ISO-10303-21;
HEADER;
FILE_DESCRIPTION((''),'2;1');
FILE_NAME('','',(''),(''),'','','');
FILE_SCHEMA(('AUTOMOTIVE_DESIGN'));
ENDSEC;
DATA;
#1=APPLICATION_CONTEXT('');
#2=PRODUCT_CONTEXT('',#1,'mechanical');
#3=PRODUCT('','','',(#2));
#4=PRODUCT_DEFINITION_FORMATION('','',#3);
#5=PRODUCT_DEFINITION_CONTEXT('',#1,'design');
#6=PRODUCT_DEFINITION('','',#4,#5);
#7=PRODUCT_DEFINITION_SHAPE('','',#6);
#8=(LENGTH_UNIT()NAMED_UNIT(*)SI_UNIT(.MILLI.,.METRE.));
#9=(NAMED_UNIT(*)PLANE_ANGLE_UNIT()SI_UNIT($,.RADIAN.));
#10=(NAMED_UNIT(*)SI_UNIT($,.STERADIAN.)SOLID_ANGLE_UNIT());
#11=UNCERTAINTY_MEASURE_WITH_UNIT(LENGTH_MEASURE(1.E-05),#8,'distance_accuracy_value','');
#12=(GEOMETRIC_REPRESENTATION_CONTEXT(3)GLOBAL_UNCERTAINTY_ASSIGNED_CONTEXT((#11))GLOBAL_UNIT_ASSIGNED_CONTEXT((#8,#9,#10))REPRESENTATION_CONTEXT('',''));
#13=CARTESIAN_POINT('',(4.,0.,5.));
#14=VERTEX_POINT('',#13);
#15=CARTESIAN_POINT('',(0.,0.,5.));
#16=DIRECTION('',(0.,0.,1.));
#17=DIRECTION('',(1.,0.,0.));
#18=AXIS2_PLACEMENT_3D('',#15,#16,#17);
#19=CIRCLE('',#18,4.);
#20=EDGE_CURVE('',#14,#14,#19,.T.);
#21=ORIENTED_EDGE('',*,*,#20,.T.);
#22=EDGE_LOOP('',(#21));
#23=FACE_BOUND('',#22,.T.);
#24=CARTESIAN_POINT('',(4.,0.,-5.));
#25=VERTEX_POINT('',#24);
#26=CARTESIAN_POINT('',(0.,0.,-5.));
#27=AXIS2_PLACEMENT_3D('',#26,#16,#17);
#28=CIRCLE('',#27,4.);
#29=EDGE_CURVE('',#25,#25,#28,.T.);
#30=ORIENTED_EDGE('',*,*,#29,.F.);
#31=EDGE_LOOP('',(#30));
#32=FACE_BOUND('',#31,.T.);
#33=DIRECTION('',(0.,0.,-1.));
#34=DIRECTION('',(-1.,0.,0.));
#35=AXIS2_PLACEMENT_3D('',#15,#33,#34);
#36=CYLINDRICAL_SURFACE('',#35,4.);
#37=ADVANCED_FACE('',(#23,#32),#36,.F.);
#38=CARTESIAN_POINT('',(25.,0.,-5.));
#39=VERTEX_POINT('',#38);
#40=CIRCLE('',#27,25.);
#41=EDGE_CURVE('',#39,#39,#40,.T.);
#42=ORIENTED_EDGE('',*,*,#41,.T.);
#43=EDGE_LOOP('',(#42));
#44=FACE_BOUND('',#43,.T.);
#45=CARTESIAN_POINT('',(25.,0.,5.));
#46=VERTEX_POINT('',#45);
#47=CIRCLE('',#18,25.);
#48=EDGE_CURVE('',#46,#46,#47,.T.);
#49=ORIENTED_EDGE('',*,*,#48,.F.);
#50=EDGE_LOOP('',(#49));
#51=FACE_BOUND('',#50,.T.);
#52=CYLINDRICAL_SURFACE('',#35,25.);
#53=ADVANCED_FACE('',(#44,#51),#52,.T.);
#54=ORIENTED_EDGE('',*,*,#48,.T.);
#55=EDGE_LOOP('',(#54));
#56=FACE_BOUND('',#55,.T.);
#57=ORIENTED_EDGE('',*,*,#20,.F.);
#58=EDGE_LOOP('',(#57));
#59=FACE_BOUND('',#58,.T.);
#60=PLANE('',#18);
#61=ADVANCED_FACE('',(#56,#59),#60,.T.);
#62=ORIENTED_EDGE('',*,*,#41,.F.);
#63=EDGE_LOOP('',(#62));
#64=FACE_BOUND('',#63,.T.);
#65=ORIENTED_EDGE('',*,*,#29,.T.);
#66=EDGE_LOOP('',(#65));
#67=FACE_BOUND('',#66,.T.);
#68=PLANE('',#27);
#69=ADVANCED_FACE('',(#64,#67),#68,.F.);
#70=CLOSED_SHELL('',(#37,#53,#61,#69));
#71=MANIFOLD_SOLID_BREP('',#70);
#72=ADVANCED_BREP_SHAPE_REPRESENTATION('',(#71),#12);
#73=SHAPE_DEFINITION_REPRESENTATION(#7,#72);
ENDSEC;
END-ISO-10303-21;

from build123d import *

# Parameters (mm, degrees)
CROQUIS1_R              = 25
CROQUIS1_R_2            = 4
SALIENTE_EXTRUIR1_DEPTH = 5


with BuildPart() as part:
    # Croquis1 → Saliente-Extruir1 (new, symmetric)
    with BuildSketch(Plane.XY):
        Circle(CROQUIS1_R)
        Circle(CROQUIS1_R_2, mode=Mode.SUBTRACT)
    extrude(amount=SALIENTE_EXTRUIR1_DEPTH, both=True)


solid = part.part
